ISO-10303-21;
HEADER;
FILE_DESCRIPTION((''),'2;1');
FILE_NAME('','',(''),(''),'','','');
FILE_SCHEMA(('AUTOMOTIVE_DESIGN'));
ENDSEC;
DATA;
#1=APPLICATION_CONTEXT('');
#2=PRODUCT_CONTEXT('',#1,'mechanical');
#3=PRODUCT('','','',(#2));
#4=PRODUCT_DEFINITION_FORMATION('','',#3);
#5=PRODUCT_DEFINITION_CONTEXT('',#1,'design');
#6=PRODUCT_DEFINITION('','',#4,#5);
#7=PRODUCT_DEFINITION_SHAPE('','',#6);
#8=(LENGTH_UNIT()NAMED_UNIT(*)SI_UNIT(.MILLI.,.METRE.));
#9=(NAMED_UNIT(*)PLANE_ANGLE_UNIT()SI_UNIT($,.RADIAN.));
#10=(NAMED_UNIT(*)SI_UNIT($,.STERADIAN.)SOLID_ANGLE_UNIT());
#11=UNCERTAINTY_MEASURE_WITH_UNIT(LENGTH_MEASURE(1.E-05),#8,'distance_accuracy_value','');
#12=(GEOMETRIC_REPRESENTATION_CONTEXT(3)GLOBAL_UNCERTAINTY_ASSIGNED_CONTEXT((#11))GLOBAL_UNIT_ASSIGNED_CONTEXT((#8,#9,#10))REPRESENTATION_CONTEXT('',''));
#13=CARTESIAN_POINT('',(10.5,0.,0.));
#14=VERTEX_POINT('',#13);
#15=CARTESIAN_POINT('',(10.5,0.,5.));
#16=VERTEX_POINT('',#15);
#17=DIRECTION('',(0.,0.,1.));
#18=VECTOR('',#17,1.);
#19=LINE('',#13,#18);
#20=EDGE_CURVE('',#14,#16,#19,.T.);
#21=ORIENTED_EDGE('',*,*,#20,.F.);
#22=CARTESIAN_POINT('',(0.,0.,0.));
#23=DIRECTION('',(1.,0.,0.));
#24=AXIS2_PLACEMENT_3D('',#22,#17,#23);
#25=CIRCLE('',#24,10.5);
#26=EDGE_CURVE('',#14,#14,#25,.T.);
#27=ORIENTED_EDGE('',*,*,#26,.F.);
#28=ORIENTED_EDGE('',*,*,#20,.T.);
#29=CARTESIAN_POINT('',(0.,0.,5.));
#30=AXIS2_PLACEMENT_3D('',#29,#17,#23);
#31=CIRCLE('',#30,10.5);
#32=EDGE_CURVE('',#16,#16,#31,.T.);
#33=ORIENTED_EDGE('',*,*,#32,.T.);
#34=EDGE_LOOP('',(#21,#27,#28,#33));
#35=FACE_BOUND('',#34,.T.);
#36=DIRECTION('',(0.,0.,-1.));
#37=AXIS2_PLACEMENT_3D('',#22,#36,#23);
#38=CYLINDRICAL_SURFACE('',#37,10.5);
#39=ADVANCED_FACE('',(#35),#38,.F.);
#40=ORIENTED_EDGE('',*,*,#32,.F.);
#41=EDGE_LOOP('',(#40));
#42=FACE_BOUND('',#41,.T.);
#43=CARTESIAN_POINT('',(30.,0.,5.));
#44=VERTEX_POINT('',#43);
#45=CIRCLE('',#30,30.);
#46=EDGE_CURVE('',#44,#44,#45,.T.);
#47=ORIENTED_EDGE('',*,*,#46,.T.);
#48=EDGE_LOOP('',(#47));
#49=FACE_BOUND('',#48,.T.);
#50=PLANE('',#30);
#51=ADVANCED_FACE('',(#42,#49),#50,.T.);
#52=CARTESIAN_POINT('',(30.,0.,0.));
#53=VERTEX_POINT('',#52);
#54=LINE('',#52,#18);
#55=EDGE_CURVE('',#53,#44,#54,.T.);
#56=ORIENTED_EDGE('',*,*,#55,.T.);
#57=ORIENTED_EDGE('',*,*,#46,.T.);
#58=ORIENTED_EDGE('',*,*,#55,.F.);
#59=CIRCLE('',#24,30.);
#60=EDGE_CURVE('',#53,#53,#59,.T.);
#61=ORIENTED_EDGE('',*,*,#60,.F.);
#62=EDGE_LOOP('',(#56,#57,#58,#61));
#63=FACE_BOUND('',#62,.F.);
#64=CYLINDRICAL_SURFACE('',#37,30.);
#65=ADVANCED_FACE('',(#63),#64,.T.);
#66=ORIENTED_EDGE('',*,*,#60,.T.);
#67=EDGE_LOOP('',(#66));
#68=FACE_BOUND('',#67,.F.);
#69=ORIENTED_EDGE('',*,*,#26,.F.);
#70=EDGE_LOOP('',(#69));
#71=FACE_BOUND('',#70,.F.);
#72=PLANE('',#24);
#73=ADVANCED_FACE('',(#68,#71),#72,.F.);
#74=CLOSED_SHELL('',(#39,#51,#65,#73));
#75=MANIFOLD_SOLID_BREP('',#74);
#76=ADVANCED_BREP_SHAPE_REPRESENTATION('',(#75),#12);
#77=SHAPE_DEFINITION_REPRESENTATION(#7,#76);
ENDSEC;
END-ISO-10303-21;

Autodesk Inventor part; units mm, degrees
ref_plane "YZ Plane" through (0, 0, 0) normal (1, 0, 0) x (0, 1, 0)
ref_plane "XZ Plane" through (0, 0, 0) normal (0, 1, 0) x (-1, 0, 0)
ref_plane "XY Plane" through (0, 0, 0) normal (0, 0, 1) x (1, 0, 0)
sketch "Sketch1" plane through (0, 0, 0) normal (0, 0, 1) x (1, 0, 0)
  circle A0 centre (0, 0) radius 10.5
  circle A1 centre (0, 0) radius 30
  dimension "d0" = 21
  dimension "d1" = 60
extrude "Extrusion1" add sketch "Sketch1" along normal blind 5
properties part number "specer"
